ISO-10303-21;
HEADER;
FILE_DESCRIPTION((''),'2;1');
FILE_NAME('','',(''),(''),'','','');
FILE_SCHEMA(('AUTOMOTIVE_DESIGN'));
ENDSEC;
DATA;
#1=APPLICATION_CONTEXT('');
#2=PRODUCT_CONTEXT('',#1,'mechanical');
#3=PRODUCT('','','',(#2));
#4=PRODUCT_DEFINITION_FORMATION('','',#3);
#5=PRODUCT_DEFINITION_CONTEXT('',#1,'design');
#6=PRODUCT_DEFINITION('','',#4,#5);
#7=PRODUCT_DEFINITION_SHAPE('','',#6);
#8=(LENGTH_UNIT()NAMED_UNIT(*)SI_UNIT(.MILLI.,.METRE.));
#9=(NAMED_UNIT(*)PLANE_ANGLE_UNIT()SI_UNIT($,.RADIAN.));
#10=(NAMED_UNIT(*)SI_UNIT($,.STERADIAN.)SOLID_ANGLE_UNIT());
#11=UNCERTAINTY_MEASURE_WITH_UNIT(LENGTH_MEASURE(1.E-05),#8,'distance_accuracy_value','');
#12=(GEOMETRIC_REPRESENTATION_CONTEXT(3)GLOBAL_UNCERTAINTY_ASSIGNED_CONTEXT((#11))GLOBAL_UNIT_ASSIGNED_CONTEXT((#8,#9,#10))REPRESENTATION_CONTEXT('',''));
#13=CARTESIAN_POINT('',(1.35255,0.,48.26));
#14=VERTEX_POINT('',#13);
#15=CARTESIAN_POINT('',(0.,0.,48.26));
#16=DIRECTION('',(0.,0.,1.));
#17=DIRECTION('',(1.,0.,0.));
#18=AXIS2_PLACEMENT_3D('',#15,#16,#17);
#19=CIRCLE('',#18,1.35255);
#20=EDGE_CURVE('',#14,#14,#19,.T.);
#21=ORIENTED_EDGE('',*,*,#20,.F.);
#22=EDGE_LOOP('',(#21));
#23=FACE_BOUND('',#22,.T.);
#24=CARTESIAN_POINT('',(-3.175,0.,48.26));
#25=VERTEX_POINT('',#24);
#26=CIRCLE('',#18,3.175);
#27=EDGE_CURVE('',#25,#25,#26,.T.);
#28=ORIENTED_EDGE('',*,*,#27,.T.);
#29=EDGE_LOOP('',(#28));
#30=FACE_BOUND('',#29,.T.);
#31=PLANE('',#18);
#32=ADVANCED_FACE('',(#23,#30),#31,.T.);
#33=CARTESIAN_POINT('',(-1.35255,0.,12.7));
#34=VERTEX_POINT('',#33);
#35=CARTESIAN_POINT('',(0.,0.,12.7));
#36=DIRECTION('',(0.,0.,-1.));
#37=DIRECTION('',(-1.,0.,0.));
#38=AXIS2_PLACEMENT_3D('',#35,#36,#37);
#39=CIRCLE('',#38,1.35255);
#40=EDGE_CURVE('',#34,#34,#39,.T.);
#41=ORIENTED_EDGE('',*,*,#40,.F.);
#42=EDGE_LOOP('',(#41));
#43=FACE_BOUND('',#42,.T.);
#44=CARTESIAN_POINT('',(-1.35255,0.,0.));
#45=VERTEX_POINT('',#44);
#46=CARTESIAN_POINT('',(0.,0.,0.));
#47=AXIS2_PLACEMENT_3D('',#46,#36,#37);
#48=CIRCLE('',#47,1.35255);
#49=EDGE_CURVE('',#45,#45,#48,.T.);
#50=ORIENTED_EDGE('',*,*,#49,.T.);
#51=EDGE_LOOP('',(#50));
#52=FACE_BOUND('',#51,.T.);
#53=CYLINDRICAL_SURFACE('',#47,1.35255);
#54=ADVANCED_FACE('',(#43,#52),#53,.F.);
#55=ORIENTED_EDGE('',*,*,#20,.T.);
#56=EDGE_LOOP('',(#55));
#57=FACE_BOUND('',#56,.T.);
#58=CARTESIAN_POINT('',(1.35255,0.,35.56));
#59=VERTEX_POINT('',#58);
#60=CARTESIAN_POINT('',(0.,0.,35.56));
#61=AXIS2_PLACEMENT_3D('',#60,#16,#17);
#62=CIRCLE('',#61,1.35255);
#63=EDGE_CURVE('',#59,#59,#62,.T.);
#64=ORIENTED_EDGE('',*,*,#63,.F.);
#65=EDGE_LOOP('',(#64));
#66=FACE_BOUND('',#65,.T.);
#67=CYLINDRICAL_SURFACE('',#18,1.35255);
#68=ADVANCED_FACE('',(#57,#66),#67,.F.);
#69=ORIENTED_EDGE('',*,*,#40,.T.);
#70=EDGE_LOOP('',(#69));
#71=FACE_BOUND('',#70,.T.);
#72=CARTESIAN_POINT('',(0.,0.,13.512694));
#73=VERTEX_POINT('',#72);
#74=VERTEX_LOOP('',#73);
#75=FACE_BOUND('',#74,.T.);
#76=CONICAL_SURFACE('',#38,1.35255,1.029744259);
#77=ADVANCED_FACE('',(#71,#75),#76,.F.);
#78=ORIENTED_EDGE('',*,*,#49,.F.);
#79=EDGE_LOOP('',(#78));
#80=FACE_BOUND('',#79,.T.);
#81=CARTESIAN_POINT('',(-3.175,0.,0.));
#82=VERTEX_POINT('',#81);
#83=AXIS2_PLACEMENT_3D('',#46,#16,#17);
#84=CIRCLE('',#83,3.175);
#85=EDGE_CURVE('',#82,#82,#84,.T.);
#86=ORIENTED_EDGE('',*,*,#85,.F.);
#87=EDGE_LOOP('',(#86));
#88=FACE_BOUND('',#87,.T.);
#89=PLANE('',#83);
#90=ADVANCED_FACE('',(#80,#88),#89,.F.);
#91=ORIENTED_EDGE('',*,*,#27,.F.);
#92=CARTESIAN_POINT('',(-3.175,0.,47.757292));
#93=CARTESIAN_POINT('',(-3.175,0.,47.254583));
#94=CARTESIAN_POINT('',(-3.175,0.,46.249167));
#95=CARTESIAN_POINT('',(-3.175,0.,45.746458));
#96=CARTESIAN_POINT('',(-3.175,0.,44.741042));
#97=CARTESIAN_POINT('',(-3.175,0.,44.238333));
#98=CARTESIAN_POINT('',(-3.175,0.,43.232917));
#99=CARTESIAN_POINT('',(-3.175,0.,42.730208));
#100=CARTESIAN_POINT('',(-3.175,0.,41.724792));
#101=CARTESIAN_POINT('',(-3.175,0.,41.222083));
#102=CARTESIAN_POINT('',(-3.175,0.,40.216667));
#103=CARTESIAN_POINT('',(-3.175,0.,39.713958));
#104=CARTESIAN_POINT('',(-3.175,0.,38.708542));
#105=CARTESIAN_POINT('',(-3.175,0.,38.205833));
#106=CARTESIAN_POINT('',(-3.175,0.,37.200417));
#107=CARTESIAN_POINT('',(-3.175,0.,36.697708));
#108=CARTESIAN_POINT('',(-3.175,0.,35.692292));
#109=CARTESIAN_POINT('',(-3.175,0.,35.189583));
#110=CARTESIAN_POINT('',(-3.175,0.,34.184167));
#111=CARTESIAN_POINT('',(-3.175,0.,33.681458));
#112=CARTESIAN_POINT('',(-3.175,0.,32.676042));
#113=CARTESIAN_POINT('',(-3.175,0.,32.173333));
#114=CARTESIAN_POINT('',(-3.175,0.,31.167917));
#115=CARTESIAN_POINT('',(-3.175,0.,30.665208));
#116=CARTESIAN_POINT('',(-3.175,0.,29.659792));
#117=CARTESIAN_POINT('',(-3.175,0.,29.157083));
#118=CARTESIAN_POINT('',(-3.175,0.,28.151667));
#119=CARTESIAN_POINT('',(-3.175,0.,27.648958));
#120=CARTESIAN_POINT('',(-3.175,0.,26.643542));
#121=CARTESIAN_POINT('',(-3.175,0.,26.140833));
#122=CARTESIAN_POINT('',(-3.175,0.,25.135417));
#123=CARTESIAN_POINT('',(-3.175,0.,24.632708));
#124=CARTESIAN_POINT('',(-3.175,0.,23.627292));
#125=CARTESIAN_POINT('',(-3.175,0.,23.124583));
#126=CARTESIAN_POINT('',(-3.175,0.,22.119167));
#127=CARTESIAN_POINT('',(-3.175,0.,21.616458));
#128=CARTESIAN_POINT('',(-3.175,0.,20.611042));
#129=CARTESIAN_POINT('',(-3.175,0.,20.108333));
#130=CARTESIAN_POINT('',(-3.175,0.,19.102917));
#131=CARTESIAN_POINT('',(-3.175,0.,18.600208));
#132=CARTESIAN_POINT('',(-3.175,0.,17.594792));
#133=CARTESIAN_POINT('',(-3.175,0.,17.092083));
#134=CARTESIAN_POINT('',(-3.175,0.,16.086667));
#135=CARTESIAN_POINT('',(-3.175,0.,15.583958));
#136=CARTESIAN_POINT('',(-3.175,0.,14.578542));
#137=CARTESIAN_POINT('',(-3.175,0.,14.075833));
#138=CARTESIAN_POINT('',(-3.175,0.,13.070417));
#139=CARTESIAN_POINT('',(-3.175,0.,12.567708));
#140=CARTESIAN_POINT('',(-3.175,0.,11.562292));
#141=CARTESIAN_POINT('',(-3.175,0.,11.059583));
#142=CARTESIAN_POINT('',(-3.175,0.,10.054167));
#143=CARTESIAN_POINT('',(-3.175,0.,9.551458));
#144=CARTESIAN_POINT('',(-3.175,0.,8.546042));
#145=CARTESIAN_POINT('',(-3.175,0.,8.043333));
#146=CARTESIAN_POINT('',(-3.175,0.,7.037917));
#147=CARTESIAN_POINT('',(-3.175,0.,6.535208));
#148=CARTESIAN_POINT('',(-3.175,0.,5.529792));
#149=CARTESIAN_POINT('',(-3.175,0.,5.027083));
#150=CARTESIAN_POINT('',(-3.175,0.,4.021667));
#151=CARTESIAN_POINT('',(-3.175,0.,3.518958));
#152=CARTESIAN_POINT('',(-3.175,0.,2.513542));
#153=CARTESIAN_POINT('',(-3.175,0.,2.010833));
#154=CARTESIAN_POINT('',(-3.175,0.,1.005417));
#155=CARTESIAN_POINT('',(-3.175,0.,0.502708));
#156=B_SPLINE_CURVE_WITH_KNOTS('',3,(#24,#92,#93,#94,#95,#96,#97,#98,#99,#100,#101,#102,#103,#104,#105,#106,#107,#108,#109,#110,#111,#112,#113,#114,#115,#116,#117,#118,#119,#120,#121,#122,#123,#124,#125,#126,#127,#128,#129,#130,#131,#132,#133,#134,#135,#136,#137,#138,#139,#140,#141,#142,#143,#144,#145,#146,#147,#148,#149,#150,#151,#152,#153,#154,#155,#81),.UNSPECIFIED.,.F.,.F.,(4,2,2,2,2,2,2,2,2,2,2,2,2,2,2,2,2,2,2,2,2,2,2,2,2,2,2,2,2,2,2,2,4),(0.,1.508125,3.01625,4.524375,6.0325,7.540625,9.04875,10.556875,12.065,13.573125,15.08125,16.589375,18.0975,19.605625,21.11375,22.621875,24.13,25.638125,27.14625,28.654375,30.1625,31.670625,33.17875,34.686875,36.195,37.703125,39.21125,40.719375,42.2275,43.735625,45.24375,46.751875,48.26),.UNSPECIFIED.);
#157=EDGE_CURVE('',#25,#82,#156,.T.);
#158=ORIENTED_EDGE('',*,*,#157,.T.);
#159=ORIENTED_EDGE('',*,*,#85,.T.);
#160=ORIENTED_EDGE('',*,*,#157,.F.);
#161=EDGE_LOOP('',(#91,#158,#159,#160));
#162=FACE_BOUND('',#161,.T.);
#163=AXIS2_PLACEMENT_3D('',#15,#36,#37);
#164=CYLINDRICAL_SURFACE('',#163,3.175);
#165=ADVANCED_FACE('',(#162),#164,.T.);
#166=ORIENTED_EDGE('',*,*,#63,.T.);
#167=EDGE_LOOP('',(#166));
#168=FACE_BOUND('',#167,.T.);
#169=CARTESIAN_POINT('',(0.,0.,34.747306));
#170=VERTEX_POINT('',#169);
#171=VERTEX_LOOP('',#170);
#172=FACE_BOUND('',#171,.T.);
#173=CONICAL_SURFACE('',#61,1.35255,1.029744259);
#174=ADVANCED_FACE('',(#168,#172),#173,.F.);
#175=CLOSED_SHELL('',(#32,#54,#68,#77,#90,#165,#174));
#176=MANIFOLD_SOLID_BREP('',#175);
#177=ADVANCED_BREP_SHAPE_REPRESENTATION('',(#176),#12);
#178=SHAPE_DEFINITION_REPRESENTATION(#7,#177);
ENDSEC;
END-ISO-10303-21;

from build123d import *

# Parameters (mm, degrees)
SKETCH1_R           = 3.175
BOSS_EXTRUDE1_DEPTH = 48.26


with BuildPart() as part:
    # Sketch1 → Boss-Extrude1 (new body)
    with BuildSketch(Plane.XY):
        with Locations(Location((0, 0, 0), (0, 0, 180))):
            Circle(SKETCH1_R)
    extrude(amount=BOSS_EXTRUDE1_DEPTH)

    # Sketch4 → #6-32 Tapped Hole1 (revolve, cut)
    with BuildSketch(Plane(origin=(0, 0, 48.26), x_dir=(0, -1, 0), z_dir=(1, 0, 0))):
        Polygon((0, 0), (0, 13.51269403), (1.35255, 12.7), (1.35255, 0), align=None)
    f_6_32_tapped_hole1 = revolve(axis=Axis((0, 0, 54.61), (0, 0, -1)), mode=Mode.SUBTRACT)

    # Mirror1: #6-32 Tapped Hole1 across plane
    add(f_6_32_tapped_hole1.mirror(Plane.XY.offset(24.13)), mode=Mode.SUBTRACT)


solid = part.part
